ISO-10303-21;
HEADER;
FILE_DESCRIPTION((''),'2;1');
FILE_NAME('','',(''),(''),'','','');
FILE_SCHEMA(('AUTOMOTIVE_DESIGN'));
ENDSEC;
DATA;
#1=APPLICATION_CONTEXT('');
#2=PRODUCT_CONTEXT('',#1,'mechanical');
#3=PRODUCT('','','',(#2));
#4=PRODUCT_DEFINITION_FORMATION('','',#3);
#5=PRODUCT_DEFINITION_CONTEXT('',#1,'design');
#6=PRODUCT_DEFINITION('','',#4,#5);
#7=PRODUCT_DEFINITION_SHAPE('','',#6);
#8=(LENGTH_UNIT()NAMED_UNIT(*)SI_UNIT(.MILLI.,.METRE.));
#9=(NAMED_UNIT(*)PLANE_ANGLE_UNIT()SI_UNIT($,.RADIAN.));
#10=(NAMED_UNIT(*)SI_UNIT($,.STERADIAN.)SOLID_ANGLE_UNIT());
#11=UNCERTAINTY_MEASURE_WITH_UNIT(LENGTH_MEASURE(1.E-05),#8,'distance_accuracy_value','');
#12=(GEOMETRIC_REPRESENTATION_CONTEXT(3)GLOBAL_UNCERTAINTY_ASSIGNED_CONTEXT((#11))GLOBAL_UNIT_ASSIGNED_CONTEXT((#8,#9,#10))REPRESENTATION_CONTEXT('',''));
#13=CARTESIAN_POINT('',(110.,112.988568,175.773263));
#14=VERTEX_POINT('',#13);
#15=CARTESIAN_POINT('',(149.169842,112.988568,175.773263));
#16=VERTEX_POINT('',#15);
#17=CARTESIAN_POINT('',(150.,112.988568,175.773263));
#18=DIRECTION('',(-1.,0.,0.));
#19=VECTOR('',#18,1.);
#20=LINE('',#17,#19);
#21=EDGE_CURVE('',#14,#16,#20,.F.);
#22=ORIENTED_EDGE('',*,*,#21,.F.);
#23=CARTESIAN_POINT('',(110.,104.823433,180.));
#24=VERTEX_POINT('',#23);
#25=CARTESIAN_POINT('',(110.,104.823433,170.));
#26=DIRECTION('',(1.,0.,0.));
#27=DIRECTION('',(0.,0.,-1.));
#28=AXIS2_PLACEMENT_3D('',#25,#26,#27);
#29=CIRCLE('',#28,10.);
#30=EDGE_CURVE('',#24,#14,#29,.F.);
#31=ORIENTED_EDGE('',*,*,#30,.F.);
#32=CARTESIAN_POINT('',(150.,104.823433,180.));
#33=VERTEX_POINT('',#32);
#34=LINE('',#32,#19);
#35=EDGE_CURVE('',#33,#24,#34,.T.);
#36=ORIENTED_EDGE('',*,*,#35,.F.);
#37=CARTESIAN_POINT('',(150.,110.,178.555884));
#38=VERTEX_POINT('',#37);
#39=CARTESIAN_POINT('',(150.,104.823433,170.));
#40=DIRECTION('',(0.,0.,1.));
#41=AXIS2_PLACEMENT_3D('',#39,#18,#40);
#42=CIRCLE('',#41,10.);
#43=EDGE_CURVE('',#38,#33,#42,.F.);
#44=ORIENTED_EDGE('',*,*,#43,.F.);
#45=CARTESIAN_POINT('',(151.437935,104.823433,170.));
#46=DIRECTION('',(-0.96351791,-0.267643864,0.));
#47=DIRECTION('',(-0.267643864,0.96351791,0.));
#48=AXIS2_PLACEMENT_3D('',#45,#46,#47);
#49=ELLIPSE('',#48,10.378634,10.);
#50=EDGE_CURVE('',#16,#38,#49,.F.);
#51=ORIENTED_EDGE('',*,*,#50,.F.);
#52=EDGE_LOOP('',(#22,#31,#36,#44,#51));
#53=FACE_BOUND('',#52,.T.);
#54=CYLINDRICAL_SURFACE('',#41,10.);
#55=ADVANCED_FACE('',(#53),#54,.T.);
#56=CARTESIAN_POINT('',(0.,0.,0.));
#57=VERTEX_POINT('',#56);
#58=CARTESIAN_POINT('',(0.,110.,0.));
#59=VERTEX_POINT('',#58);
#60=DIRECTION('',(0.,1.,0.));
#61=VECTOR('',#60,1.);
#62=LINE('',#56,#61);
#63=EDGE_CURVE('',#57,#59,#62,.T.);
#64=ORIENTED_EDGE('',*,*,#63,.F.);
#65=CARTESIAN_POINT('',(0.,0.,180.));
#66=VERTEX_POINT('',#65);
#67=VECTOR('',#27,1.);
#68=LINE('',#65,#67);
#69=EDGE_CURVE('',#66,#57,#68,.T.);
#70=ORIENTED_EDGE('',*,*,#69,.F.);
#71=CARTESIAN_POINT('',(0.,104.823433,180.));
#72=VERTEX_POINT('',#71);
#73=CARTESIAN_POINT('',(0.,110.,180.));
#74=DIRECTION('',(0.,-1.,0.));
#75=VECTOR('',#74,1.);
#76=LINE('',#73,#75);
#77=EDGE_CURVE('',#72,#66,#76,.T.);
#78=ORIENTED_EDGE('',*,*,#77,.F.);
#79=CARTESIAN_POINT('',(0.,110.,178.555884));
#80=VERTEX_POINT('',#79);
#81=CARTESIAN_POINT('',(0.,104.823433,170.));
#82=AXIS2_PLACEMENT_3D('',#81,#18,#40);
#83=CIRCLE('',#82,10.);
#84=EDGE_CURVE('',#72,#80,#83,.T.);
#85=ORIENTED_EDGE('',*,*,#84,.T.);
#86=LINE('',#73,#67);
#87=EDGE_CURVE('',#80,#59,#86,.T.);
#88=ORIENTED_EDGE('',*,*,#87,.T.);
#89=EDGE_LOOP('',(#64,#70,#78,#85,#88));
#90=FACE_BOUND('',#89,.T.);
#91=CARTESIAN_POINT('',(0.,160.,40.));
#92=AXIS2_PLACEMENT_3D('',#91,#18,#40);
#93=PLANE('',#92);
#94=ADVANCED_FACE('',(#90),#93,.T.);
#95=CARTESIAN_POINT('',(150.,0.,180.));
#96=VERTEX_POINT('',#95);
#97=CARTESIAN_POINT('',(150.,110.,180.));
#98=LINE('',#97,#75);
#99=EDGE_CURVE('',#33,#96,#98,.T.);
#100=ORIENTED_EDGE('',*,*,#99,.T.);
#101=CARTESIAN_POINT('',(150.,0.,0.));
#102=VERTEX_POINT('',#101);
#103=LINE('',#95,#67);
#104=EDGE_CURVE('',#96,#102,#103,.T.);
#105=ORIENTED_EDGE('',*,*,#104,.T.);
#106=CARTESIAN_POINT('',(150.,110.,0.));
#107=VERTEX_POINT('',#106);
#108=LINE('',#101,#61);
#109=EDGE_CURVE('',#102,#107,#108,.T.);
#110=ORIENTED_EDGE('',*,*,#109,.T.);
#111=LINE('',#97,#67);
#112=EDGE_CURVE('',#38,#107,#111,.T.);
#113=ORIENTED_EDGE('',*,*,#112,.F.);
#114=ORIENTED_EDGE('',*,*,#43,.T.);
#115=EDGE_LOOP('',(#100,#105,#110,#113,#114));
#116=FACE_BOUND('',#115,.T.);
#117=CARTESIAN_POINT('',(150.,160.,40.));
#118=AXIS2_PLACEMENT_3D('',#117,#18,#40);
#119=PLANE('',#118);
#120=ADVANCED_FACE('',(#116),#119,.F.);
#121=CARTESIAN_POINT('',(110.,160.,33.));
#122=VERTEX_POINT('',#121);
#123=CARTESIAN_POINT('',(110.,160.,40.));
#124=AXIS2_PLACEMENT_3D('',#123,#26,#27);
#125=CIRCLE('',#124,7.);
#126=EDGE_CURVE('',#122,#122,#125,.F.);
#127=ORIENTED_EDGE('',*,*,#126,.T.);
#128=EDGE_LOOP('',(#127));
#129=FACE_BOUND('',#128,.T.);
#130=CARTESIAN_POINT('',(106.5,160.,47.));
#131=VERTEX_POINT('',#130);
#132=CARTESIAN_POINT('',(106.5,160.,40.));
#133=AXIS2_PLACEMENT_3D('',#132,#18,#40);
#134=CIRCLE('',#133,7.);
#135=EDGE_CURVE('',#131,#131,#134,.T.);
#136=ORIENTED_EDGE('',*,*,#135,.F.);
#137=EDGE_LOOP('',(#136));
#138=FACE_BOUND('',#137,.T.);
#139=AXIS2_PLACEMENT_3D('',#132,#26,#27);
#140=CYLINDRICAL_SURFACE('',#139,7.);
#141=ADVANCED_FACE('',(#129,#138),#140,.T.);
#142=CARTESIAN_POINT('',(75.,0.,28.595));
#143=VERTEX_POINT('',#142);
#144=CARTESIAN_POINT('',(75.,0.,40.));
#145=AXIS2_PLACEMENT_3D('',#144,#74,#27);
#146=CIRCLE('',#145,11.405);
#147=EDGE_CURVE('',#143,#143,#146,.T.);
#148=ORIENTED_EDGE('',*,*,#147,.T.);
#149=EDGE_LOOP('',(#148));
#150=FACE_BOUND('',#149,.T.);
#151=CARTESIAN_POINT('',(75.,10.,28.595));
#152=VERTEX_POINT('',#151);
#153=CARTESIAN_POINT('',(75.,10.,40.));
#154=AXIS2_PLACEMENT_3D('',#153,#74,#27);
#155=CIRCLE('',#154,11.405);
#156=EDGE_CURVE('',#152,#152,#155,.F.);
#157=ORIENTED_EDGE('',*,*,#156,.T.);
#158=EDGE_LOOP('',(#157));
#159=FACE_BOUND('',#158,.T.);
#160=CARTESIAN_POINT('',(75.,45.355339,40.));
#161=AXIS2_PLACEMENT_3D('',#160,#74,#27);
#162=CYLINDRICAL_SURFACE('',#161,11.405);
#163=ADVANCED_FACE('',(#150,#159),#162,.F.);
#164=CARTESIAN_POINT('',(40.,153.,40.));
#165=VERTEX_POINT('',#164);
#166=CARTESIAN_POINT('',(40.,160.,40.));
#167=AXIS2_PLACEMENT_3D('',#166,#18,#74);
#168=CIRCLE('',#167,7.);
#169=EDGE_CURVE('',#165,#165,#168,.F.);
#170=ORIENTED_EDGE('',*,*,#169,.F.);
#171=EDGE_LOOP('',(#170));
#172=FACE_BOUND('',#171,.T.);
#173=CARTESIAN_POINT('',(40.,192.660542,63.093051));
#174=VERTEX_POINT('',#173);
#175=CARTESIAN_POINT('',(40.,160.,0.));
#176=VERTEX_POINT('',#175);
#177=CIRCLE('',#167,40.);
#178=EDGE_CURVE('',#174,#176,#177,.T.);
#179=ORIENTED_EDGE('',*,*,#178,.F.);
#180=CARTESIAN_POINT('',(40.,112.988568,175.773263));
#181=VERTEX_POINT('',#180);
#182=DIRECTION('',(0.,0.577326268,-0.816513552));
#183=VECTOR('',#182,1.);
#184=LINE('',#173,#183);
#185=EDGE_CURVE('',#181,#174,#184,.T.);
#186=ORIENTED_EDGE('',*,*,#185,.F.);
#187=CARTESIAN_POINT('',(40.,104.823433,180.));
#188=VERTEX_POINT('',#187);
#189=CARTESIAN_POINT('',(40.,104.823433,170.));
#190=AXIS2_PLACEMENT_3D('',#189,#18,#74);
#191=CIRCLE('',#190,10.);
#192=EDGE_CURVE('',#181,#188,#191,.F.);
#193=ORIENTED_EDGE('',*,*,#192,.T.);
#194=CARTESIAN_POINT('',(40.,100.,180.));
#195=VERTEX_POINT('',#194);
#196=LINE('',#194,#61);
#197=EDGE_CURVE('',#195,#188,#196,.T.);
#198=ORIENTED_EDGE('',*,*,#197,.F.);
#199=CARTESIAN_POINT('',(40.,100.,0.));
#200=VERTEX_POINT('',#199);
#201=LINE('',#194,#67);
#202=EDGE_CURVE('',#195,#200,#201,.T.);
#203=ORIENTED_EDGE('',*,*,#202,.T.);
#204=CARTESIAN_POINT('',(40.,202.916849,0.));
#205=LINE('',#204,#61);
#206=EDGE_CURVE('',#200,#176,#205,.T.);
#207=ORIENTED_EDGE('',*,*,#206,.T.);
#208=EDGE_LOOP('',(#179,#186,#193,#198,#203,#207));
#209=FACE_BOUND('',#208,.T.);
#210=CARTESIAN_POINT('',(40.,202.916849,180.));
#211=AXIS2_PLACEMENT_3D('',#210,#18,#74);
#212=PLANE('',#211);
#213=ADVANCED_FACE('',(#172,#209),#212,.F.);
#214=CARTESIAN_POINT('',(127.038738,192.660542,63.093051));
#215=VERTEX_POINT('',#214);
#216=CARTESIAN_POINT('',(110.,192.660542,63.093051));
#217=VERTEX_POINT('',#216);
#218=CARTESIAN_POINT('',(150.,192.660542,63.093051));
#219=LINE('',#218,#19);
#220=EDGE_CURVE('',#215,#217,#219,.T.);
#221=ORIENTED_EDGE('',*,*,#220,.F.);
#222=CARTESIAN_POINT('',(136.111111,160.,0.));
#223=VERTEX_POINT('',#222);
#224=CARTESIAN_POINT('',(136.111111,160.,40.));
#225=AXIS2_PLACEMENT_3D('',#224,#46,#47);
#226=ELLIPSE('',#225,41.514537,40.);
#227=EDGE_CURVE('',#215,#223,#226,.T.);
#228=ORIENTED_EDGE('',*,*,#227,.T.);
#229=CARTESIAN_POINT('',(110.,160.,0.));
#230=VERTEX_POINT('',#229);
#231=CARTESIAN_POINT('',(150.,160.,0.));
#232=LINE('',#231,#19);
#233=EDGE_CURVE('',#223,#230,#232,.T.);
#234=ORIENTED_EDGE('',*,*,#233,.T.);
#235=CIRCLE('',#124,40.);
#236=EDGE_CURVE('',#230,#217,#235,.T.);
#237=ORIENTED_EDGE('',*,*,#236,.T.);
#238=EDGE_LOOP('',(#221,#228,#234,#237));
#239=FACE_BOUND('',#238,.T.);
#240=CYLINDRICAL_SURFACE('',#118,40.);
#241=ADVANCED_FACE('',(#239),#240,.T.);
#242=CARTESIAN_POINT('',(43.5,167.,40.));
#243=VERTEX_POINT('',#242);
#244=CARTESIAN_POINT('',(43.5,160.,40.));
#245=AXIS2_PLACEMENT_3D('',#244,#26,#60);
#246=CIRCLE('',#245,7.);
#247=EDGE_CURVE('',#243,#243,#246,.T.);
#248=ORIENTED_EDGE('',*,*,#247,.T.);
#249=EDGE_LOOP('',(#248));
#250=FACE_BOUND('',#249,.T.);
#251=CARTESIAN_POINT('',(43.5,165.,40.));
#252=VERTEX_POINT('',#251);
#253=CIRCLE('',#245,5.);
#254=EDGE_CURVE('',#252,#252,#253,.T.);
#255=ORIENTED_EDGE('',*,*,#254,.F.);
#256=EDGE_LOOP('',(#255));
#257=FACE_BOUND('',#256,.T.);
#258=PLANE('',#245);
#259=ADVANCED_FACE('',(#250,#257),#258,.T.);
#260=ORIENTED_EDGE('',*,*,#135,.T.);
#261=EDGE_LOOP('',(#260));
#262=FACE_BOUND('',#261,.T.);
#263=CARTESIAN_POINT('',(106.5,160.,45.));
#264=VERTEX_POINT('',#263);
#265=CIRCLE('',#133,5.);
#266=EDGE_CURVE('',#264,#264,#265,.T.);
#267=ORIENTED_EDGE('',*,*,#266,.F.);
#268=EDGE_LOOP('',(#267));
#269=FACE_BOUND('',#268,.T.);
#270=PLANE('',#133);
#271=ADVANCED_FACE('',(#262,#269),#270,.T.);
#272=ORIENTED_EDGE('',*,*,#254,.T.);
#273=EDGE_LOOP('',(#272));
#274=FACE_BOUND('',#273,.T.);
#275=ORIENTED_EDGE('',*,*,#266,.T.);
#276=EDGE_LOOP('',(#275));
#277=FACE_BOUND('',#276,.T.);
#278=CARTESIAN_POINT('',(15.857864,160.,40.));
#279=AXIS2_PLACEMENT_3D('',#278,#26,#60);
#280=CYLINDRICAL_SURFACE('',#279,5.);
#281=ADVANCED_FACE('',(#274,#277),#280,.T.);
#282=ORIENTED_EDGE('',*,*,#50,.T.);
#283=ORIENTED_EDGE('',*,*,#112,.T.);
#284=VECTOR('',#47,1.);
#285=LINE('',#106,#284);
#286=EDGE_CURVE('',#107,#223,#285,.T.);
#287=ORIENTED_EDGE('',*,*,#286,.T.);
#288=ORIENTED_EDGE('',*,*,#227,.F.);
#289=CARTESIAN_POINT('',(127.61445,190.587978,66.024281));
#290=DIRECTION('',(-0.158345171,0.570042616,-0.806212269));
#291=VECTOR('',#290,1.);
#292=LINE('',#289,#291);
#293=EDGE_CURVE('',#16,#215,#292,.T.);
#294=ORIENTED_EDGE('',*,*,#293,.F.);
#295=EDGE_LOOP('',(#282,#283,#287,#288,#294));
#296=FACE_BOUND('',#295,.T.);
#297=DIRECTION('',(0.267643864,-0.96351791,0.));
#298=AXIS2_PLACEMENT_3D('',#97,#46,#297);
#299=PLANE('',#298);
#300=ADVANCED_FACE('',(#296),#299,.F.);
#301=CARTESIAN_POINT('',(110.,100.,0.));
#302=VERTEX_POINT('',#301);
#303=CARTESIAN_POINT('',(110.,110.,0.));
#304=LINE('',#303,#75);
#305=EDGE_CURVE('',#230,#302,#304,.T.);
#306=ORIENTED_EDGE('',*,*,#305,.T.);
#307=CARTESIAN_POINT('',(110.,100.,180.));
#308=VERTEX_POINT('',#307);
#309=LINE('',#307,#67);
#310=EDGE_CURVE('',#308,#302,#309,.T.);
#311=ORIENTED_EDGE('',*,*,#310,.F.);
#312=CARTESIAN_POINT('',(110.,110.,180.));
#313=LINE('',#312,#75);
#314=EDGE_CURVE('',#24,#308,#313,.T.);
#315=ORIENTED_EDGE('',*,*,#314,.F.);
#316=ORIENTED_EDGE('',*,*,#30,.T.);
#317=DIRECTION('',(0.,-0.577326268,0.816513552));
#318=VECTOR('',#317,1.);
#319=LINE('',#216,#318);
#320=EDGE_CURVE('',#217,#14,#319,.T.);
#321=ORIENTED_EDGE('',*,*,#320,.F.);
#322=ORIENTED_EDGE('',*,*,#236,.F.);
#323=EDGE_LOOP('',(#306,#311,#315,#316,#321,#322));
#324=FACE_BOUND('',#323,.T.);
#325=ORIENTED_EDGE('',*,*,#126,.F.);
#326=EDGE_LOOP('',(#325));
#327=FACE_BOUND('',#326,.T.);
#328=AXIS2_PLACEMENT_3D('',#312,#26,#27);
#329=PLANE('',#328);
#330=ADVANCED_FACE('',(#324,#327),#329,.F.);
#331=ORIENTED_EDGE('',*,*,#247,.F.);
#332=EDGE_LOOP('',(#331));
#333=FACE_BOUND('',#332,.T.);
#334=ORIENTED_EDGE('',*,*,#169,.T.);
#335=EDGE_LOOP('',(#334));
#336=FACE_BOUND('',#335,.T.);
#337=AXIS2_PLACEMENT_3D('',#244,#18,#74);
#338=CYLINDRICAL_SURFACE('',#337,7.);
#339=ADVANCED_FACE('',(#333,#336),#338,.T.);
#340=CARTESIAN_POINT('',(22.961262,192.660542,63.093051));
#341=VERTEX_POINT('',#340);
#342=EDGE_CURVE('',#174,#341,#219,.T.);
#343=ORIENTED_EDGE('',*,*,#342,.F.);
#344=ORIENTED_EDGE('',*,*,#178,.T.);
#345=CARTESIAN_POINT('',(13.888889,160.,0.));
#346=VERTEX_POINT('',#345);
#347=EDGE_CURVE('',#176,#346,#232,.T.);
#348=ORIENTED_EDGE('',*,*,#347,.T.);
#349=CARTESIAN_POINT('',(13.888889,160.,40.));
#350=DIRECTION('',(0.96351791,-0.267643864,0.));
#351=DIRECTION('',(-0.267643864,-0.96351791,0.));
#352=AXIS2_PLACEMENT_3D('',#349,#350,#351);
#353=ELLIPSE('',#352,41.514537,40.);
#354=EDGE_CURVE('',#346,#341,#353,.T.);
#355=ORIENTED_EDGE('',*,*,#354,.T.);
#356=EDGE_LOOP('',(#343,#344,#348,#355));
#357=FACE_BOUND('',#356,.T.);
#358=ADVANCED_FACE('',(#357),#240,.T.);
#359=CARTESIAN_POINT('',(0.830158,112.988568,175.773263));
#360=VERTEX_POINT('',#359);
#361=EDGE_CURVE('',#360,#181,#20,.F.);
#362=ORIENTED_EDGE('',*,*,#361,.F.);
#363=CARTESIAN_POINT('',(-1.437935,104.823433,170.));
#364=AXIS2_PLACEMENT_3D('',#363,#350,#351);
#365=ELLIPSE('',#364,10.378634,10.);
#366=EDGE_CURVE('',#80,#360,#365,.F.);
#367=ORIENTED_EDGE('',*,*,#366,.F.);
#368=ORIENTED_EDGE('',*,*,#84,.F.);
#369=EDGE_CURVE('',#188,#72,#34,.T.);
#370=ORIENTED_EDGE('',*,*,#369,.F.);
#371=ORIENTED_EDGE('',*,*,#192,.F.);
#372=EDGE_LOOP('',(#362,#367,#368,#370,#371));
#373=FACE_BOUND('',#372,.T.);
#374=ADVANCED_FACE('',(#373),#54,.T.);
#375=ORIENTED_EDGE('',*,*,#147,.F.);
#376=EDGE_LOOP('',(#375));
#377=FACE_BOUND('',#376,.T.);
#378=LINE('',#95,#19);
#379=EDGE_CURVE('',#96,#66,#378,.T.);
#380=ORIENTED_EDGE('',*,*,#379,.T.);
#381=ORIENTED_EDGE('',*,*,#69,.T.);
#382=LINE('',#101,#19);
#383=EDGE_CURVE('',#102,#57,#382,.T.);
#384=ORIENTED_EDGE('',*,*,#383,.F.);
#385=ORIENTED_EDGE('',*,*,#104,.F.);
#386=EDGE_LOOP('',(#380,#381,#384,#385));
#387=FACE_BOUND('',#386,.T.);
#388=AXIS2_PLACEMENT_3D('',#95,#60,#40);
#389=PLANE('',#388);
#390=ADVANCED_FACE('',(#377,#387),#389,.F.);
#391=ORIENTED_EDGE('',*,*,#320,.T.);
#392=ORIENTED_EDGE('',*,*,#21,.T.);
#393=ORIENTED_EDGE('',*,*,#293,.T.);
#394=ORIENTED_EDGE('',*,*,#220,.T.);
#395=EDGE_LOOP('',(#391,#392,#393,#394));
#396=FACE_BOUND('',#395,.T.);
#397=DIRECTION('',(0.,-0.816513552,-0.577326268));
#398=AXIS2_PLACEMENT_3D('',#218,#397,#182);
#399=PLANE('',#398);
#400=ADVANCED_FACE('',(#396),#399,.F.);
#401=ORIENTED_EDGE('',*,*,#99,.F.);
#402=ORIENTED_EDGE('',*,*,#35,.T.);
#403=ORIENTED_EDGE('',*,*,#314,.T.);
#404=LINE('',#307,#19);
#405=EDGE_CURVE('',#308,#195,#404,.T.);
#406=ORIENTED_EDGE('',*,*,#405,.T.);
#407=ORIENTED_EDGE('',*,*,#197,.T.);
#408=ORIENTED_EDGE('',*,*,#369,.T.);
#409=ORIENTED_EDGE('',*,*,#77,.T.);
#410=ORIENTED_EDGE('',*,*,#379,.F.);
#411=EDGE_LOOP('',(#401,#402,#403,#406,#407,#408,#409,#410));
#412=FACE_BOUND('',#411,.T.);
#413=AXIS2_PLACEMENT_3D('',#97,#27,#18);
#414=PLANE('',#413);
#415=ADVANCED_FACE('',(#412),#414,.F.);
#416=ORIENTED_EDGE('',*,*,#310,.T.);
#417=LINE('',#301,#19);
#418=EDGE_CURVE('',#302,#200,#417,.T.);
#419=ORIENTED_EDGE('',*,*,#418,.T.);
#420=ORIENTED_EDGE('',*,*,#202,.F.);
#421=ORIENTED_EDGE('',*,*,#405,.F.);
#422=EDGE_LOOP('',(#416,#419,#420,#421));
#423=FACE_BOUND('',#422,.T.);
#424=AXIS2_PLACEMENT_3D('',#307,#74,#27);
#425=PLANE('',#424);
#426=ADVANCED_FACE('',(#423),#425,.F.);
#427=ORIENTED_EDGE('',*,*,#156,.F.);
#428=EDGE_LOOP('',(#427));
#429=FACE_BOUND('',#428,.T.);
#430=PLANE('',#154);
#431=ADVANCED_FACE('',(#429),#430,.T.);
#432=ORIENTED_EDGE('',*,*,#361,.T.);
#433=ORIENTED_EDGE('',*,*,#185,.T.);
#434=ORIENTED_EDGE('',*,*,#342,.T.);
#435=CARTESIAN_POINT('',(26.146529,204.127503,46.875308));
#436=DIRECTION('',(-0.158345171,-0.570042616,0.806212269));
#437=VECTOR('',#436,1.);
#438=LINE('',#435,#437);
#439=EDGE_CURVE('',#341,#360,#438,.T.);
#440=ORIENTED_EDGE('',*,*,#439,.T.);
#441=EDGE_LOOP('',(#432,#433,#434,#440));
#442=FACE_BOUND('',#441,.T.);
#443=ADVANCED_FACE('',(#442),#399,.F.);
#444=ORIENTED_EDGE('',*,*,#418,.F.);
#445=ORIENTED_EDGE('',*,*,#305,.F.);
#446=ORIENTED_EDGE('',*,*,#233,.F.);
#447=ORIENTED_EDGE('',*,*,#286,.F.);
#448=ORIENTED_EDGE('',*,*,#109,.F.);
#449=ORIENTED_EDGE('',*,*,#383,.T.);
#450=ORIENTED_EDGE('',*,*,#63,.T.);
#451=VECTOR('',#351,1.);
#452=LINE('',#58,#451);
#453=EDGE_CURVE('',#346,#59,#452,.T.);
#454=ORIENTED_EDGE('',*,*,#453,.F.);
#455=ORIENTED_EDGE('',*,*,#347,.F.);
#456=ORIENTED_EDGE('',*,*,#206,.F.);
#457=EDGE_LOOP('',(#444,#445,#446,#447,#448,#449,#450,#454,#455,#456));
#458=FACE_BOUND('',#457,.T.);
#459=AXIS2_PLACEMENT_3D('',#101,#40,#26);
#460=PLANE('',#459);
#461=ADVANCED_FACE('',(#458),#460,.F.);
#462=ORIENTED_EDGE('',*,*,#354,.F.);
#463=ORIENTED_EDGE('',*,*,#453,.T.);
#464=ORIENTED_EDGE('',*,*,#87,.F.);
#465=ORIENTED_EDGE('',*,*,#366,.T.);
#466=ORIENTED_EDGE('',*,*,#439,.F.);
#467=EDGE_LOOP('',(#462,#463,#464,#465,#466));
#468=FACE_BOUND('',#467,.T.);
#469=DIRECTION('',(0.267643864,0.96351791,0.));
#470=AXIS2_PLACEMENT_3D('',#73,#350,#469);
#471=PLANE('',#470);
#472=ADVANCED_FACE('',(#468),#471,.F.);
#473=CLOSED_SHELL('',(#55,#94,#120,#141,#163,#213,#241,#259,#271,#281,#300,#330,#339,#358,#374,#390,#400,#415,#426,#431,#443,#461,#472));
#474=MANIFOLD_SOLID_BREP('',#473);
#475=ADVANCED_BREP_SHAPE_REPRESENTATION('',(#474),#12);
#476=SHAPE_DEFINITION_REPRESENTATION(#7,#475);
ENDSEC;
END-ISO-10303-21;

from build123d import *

# Parameters (mm, degrees)
EXTRUDE_1_DEPTH         = 150
FILLET_1_R              = 10
CUT_EXTRUDE_1_DEPTH     = 309.058436015
SKETCH1_R               = 12.5
CUT_EXTRUDE1_DEPTH      = 10
CUT_EXTRUDE2_DEPTH      = 80
CUT_EXTRUDE2_DEPTH_BACK = 10
SKETCH2_R               = 5
SKETCH4_R               = 12.5
SKETCH4_R_2             = 11.405
BOSS_EXTRUDE1_DEPTH     = 10
SKETCH8_R               = 5
BOSS_EXTRUDE3_DEPTH     = 90
SKETCH9_R               = 7
SKETCH9_R_2             = 5
BOSS_EXTRUDE4_DEPTH     = 3.5
BOSS_EXTRUDE5_START     = 3.5
SKETCH10_R              = 7
SKETCH10_R_2            = 5
BOSS_EXTRUDE5_DEPTH     = 3.5


with BuildPart() as part:
    # 草圖1 → 填料-伸長1 (new body)
    with BuildSketch(Plane(origin=(0, 0, 0), x_dir=(0, 0, -1), z_dir=(1, 0, 0))):
        with BuildLine():
            Line((0, 0), (0, 160))
            ThreePointArc((0, 160), (-21.611444176, 195.522683101), (-63.093050736, 192.660542061))
            Line((-63.093050736, 192.660542061), (-180, 110))
            Line((-180, 110), (-180, 0))
            Line((-180, 0), (0, 0))
        make_face()
    extrude(amount=EXTRUDE_1_DEPTH)

    # 圓角1
    fillet_1_edges = [part.edges().sort_by_distance(p)[0] for p in [
        (75, 110, 180),
    ]]
    fillet(fillet_1_edges, radius=FILLET_1_R)

    # 草圖2 → 除料-伸長1 (cut, through all)
    with BuildSketch(Plane(origin=(0, 0, 0), x_dir=(-1, 0, 0), z_dir=(0, 0, -1))):
        Polygon((-150, 110), (-125, 200), (-125, 212.317241835), (-176.077029544, 212.317241835), (-176.077029544, 111.407234288), align=None)
        Polygon((-110, 110), (-110, 202.916849344), (-40, 202.916849344), (-40, 110), (-40, 100), (-110, 100), align=None)
        Polygon((26.077029544, 111.407234288), (0, 110), (-25, 200), (-25, 212.317241835), (26.077029544, 212.317241835), align=None)
    extrude(amount=-CUT_EXTRUDE_1_DEPTH, mode=Mode.SUBTRACT)

    # Sketch1 → Cut-Extrude1 (cut)
    with BuildSketch(Plane.XZ):
        with Locations(Location((75, 40, 0), (0, 0, 270))):
            Circle(SKETCH1_R)
    extrude(amount=-CUT_EXTRUDE1_DEPTH, mode=Mode.SUBTRACT)

    # Sketch2 → Cut-Extrude2 (cut, two sides: drawn at the far end of the back side and taken through both)
    with BuildSketch(Plane(origin=(40, 0, 0), x_dir=(0, 0, -1), z_dir=(1, 0, 0)).offset(-CUT_EXTRUDE2_DEPTH_BACK)):
        with Locations(Location((-40, 160, 0), (0, 0, 270))):
            Circle(SKETCH2_R)
    extrude(amount=CUT_EXTRUDE2_DEPTH + CUT_EXTRUDE2_DEPTH_BACK, mode=Mode.SUBTRACT)

    # Sketch4 → Boss-Extrude1 (add)
    with BuildSketch(Plane.XZ):
        with Locations((75, 40)):
            Circle(SKETCH4_R)
        with Locations(Location((75, 40, 0), (0, 0, 270))):
            Circle(SKETCH4_R_2, mode=Mode.SUBTRACT)
    extrude(amount=-BOSS_EXTRUDE1_DEPTH)

    # Sketch8 → Boss-Extrude3 (add)
    with BuildSketch(Plane.ZY.offset(-120)):
        with Locations(Location((40, 160, 0), (0, 0, 90))):
            Circle(SKETCH8_R)
    extrude(amount=BOSS_EXTRUDE3_DEPTH)

    # Sketch9 → Boss-Extrude4 (add)
    with BuildSketch(Plane.ZY.offset(-110)):
        with Locations(Location((40, 160, 0), (0, 0, 180))):
            Circle(SKETCH9_R)
        with Locations((40, 160)):
            Circle(SKETCH9_R_2, mode=Mode.SUBTRACT)
    extrude(amount=BOSS_EXTRUDE4_DEPTH)

    # Sketch10 → Boss-Extrude5 (add)
    with BuildSketch(Plane(origin=(40, 0, 0), x_dir=(0, 0, -1), z_dir=(1, 0, 0)).offset(BOSS_EXTRUDE5_START)):
        with Locations((-40, 160)):
            Circle(SKETCH10_R)
        with Locations(Location((-40, 160, 0), (0, 0, 90))):
            Circle(SKETCH10_R_2, mode=Mode.SUBTRACT)
    extrude(amount=-BOSS_EXTRUDE5_DEPTH)


solid = part.part
